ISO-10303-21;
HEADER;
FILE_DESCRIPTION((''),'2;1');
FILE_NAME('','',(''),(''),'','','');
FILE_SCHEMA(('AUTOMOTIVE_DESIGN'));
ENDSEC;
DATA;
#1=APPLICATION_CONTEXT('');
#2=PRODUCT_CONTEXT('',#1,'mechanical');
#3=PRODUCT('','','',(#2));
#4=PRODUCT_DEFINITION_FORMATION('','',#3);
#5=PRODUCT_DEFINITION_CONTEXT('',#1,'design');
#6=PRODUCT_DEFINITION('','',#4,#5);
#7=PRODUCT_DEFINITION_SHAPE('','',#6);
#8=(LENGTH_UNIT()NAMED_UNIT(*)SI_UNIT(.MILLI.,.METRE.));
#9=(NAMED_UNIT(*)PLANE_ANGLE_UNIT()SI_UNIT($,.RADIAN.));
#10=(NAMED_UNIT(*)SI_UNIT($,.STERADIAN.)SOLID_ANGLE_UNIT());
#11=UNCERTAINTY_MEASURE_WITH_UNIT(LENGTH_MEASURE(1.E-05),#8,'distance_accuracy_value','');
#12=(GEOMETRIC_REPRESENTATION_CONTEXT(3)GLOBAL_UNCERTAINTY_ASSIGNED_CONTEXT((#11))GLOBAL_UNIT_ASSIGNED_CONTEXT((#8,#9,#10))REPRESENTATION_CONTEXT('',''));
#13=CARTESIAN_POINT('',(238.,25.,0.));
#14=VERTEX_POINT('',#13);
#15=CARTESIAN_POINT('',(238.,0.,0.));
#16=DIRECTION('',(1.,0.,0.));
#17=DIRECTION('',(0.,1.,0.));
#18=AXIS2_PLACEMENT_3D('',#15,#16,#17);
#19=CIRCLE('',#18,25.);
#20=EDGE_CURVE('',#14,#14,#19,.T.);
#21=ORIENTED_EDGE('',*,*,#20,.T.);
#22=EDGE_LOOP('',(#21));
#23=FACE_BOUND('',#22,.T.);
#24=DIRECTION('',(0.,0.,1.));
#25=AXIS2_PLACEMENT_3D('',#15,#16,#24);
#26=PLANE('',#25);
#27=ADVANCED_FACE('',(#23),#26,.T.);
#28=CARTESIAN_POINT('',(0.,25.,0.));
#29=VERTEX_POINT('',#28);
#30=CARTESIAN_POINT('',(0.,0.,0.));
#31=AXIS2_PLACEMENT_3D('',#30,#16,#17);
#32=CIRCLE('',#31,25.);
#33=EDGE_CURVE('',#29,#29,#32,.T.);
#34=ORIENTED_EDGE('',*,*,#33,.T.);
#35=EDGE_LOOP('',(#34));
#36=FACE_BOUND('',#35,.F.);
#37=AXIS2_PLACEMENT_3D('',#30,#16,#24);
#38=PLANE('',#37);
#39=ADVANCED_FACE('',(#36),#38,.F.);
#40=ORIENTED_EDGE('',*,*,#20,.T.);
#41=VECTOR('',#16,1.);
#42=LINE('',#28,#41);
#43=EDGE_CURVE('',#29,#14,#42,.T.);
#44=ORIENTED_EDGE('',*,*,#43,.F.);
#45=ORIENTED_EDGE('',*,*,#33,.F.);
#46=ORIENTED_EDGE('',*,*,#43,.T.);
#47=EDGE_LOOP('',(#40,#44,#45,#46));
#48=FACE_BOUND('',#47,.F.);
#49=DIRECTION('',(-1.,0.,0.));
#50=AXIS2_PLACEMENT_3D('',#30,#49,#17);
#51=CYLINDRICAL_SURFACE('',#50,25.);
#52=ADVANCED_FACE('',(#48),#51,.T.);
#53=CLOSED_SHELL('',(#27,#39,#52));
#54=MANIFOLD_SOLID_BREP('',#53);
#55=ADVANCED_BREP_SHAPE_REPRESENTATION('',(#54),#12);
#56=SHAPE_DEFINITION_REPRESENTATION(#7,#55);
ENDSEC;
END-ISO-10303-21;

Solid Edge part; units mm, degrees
sketch "Sketch1" plane through (0, 0, 0) normal (1, 0, 0) x (0, 1, 0)
  circle A0 centre (0, 0) radius 25
  dimension "D1" = 50
extrude "Protrusion1" add sketch "Sketch1" along normal blind 238
properties material "Steel"
